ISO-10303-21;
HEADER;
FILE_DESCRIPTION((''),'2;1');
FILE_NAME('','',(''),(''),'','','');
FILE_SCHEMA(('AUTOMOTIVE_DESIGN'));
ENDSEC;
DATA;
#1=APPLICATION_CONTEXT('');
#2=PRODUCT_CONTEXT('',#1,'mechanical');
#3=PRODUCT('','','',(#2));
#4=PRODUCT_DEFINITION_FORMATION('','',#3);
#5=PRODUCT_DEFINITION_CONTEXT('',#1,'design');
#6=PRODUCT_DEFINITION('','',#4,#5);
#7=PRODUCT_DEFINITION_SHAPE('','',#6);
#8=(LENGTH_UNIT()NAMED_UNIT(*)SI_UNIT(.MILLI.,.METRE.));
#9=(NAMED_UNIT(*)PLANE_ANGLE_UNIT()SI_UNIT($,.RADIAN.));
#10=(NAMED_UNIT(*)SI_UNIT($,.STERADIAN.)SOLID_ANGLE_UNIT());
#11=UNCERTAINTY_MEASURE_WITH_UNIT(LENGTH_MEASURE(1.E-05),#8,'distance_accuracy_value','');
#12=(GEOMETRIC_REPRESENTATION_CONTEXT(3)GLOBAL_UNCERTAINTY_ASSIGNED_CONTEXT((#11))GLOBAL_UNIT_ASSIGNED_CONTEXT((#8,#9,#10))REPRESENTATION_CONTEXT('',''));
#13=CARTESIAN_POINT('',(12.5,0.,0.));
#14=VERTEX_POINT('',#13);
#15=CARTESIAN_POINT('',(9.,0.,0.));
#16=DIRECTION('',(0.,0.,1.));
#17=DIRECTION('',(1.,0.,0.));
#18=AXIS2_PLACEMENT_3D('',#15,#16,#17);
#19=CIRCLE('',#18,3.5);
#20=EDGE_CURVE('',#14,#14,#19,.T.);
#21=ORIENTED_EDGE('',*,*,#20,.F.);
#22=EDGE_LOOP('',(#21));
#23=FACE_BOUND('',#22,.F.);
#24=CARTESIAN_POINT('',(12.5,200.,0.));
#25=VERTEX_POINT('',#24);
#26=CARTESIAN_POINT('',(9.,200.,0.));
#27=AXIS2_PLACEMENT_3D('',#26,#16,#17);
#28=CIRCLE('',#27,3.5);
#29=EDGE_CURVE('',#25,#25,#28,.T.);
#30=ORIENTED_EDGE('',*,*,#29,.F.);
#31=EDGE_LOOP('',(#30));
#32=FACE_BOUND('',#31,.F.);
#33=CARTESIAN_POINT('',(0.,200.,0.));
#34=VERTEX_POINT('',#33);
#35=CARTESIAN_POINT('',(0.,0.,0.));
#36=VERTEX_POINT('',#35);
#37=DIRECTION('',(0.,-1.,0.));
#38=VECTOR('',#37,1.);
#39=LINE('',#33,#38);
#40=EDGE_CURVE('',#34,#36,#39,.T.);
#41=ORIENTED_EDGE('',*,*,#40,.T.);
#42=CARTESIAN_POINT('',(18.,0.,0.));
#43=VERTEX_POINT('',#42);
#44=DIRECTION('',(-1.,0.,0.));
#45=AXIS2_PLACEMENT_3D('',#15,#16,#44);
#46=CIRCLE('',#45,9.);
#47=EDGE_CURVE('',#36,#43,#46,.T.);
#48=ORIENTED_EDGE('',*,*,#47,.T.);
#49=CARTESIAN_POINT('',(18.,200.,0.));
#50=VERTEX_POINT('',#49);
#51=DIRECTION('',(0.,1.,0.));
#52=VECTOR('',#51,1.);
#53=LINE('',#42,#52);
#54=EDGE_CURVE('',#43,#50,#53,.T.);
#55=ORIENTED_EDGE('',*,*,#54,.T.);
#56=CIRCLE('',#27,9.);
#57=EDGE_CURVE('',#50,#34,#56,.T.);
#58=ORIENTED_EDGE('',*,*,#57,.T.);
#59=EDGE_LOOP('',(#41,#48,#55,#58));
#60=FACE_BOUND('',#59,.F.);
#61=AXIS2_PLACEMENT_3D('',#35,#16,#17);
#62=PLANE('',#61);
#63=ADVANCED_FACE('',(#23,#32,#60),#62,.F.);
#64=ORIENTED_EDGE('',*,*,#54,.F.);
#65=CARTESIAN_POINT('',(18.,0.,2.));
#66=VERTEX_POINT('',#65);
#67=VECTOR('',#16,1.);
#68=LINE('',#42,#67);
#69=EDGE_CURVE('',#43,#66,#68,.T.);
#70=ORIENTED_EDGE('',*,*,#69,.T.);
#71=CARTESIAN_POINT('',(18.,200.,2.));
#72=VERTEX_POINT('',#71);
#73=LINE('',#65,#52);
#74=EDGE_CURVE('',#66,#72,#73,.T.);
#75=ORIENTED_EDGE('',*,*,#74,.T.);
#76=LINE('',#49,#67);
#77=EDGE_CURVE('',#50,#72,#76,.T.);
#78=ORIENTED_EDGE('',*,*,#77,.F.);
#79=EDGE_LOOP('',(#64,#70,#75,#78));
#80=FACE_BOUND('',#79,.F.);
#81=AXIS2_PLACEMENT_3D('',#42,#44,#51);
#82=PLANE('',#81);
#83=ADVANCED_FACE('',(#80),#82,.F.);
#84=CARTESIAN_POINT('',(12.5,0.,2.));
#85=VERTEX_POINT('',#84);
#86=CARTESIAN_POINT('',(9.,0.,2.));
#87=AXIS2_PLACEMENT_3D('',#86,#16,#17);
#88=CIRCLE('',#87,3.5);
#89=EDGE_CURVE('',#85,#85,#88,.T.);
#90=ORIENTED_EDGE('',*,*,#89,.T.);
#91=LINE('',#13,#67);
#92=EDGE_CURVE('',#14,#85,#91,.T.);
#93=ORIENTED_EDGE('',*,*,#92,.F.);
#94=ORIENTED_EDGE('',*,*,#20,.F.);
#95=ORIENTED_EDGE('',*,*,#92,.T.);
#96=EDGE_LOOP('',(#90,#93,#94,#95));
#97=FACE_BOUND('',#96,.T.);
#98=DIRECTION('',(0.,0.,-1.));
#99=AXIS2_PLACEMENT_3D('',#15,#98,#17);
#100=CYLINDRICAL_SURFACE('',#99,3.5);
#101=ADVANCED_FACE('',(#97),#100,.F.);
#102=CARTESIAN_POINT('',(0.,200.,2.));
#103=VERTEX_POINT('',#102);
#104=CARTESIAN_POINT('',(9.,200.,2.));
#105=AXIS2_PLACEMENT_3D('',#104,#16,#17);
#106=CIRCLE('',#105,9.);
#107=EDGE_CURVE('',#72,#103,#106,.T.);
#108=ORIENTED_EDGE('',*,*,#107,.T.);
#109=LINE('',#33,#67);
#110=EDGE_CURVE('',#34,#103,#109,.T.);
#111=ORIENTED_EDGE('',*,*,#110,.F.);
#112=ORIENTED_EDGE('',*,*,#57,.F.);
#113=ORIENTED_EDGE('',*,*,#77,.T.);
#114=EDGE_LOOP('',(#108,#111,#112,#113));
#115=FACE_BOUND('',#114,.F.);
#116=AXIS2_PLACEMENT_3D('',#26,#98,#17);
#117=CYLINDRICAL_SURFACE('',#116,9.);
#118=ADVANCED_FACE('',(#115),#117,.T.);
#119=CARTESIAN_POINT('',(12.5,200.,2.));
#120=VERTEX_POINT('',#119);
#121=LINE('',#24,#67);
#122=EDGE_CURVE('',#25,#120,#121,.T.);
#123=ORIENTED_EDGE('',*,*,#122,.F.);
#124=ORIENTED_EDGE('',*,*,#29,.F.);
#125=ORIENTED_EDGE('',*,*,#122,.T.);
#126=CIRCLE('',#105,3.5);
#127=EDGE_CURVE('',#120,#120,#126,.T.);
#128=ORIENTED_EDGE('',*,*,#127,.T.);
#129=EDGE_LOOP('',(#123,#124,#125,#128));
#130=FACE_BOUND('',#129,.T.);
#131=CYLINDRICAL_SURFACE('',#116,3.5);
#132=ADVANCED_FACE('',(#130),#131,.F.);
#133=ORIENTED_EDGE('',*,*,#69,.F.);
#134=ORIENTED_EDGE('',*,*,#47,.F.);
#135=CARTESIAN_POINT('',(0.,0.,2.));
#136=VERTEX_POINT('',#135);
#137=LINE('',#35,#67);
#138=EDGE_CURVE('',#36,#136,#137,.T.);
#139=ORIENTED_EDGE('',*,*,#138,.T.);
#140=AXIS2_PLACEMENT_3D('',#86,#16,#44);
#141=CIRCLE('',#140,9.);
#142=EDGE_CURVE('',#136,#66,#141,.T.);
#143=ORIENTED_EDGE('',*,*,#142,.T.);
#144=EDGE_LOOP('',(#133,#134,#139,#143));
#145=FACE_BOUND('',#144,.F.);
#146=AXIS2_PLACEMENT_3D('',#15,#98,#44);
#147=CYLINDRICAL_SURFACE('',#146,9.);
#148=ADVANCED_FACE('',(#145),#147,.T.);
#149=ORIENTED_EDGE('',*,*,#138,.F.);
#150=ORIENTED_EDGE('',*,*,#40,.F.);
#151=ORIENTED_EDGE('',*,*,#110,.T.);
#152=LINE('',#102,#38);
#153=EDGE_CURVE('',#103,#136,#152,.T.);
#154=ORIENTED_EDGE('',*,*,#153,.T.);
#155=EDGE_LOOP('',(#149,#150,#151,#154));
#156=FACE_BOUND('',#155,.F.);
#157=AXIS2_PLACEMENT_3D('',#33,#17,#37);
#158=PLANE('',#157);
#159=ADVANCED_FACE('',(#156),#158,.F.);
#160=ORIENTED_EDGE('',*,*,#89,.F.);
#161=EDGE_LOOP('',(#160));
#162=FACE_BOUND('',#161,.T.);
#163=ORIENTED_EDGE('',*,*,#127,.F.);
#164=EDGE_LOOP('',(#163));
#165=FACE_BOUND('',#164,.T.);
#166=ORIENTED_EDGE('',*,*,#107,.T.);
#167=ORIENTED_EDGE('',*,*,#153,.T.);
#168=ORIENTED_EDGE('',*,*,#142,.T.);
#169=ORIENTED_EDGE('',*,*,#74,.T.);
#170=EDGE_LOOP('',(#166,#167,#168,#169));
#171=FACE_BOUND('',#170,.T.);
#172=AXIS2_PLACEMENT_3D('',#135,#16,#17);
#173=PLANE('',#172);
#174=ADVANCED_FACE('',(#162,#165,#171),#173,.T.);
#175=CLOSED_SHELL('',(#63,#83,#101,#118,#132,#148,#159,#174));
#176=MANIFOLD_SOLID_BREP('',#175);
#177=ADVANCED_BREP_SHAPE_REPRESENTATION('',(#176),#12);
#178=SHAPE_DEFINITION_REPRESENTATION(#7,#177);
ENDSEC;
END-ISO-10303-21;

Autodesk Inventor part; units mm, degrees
ref_plane "YZ Plane" through (0, 0, 0) normal (1, 0, 0) x (0, 1, 0)
ref_plane "XZ Plane" through (0, 0, 0) normal (0, 1, 0) x (-1, 0, 0)
ref_plane "XY Plane" through (0, 0, 0) normal (0, 0, 1) x (1, 0, 0)
sketch "スケッチ1" plane through (0, 0, 0) normal (0, 0, 1) x (1, 0, 0)
  line L0 (18, 0) -> (18, 200)
  line L1 (0, 200) -> (0, 0)
  line L2 (9, 200) -> (9, 0) construction
  arc A0 (18, 200) -> (0, 200) centre (9, 200) ccw
  arc A1 (0, 0) -> (18, 0) centre (9, 0) ccw
  circle A2 centre (9, 0) radius 3.5
  circle A3 centre (9, 200) radius 3.5
  dimension "d35" = 18
  dimension "d36" = 200
  dimension "d37" = 7
  dimension "d38" = 7
extrude "押し出し1" add sketch "スケッチ1" along normal blind 2
properties part number "foot_link" material "GFRP"
